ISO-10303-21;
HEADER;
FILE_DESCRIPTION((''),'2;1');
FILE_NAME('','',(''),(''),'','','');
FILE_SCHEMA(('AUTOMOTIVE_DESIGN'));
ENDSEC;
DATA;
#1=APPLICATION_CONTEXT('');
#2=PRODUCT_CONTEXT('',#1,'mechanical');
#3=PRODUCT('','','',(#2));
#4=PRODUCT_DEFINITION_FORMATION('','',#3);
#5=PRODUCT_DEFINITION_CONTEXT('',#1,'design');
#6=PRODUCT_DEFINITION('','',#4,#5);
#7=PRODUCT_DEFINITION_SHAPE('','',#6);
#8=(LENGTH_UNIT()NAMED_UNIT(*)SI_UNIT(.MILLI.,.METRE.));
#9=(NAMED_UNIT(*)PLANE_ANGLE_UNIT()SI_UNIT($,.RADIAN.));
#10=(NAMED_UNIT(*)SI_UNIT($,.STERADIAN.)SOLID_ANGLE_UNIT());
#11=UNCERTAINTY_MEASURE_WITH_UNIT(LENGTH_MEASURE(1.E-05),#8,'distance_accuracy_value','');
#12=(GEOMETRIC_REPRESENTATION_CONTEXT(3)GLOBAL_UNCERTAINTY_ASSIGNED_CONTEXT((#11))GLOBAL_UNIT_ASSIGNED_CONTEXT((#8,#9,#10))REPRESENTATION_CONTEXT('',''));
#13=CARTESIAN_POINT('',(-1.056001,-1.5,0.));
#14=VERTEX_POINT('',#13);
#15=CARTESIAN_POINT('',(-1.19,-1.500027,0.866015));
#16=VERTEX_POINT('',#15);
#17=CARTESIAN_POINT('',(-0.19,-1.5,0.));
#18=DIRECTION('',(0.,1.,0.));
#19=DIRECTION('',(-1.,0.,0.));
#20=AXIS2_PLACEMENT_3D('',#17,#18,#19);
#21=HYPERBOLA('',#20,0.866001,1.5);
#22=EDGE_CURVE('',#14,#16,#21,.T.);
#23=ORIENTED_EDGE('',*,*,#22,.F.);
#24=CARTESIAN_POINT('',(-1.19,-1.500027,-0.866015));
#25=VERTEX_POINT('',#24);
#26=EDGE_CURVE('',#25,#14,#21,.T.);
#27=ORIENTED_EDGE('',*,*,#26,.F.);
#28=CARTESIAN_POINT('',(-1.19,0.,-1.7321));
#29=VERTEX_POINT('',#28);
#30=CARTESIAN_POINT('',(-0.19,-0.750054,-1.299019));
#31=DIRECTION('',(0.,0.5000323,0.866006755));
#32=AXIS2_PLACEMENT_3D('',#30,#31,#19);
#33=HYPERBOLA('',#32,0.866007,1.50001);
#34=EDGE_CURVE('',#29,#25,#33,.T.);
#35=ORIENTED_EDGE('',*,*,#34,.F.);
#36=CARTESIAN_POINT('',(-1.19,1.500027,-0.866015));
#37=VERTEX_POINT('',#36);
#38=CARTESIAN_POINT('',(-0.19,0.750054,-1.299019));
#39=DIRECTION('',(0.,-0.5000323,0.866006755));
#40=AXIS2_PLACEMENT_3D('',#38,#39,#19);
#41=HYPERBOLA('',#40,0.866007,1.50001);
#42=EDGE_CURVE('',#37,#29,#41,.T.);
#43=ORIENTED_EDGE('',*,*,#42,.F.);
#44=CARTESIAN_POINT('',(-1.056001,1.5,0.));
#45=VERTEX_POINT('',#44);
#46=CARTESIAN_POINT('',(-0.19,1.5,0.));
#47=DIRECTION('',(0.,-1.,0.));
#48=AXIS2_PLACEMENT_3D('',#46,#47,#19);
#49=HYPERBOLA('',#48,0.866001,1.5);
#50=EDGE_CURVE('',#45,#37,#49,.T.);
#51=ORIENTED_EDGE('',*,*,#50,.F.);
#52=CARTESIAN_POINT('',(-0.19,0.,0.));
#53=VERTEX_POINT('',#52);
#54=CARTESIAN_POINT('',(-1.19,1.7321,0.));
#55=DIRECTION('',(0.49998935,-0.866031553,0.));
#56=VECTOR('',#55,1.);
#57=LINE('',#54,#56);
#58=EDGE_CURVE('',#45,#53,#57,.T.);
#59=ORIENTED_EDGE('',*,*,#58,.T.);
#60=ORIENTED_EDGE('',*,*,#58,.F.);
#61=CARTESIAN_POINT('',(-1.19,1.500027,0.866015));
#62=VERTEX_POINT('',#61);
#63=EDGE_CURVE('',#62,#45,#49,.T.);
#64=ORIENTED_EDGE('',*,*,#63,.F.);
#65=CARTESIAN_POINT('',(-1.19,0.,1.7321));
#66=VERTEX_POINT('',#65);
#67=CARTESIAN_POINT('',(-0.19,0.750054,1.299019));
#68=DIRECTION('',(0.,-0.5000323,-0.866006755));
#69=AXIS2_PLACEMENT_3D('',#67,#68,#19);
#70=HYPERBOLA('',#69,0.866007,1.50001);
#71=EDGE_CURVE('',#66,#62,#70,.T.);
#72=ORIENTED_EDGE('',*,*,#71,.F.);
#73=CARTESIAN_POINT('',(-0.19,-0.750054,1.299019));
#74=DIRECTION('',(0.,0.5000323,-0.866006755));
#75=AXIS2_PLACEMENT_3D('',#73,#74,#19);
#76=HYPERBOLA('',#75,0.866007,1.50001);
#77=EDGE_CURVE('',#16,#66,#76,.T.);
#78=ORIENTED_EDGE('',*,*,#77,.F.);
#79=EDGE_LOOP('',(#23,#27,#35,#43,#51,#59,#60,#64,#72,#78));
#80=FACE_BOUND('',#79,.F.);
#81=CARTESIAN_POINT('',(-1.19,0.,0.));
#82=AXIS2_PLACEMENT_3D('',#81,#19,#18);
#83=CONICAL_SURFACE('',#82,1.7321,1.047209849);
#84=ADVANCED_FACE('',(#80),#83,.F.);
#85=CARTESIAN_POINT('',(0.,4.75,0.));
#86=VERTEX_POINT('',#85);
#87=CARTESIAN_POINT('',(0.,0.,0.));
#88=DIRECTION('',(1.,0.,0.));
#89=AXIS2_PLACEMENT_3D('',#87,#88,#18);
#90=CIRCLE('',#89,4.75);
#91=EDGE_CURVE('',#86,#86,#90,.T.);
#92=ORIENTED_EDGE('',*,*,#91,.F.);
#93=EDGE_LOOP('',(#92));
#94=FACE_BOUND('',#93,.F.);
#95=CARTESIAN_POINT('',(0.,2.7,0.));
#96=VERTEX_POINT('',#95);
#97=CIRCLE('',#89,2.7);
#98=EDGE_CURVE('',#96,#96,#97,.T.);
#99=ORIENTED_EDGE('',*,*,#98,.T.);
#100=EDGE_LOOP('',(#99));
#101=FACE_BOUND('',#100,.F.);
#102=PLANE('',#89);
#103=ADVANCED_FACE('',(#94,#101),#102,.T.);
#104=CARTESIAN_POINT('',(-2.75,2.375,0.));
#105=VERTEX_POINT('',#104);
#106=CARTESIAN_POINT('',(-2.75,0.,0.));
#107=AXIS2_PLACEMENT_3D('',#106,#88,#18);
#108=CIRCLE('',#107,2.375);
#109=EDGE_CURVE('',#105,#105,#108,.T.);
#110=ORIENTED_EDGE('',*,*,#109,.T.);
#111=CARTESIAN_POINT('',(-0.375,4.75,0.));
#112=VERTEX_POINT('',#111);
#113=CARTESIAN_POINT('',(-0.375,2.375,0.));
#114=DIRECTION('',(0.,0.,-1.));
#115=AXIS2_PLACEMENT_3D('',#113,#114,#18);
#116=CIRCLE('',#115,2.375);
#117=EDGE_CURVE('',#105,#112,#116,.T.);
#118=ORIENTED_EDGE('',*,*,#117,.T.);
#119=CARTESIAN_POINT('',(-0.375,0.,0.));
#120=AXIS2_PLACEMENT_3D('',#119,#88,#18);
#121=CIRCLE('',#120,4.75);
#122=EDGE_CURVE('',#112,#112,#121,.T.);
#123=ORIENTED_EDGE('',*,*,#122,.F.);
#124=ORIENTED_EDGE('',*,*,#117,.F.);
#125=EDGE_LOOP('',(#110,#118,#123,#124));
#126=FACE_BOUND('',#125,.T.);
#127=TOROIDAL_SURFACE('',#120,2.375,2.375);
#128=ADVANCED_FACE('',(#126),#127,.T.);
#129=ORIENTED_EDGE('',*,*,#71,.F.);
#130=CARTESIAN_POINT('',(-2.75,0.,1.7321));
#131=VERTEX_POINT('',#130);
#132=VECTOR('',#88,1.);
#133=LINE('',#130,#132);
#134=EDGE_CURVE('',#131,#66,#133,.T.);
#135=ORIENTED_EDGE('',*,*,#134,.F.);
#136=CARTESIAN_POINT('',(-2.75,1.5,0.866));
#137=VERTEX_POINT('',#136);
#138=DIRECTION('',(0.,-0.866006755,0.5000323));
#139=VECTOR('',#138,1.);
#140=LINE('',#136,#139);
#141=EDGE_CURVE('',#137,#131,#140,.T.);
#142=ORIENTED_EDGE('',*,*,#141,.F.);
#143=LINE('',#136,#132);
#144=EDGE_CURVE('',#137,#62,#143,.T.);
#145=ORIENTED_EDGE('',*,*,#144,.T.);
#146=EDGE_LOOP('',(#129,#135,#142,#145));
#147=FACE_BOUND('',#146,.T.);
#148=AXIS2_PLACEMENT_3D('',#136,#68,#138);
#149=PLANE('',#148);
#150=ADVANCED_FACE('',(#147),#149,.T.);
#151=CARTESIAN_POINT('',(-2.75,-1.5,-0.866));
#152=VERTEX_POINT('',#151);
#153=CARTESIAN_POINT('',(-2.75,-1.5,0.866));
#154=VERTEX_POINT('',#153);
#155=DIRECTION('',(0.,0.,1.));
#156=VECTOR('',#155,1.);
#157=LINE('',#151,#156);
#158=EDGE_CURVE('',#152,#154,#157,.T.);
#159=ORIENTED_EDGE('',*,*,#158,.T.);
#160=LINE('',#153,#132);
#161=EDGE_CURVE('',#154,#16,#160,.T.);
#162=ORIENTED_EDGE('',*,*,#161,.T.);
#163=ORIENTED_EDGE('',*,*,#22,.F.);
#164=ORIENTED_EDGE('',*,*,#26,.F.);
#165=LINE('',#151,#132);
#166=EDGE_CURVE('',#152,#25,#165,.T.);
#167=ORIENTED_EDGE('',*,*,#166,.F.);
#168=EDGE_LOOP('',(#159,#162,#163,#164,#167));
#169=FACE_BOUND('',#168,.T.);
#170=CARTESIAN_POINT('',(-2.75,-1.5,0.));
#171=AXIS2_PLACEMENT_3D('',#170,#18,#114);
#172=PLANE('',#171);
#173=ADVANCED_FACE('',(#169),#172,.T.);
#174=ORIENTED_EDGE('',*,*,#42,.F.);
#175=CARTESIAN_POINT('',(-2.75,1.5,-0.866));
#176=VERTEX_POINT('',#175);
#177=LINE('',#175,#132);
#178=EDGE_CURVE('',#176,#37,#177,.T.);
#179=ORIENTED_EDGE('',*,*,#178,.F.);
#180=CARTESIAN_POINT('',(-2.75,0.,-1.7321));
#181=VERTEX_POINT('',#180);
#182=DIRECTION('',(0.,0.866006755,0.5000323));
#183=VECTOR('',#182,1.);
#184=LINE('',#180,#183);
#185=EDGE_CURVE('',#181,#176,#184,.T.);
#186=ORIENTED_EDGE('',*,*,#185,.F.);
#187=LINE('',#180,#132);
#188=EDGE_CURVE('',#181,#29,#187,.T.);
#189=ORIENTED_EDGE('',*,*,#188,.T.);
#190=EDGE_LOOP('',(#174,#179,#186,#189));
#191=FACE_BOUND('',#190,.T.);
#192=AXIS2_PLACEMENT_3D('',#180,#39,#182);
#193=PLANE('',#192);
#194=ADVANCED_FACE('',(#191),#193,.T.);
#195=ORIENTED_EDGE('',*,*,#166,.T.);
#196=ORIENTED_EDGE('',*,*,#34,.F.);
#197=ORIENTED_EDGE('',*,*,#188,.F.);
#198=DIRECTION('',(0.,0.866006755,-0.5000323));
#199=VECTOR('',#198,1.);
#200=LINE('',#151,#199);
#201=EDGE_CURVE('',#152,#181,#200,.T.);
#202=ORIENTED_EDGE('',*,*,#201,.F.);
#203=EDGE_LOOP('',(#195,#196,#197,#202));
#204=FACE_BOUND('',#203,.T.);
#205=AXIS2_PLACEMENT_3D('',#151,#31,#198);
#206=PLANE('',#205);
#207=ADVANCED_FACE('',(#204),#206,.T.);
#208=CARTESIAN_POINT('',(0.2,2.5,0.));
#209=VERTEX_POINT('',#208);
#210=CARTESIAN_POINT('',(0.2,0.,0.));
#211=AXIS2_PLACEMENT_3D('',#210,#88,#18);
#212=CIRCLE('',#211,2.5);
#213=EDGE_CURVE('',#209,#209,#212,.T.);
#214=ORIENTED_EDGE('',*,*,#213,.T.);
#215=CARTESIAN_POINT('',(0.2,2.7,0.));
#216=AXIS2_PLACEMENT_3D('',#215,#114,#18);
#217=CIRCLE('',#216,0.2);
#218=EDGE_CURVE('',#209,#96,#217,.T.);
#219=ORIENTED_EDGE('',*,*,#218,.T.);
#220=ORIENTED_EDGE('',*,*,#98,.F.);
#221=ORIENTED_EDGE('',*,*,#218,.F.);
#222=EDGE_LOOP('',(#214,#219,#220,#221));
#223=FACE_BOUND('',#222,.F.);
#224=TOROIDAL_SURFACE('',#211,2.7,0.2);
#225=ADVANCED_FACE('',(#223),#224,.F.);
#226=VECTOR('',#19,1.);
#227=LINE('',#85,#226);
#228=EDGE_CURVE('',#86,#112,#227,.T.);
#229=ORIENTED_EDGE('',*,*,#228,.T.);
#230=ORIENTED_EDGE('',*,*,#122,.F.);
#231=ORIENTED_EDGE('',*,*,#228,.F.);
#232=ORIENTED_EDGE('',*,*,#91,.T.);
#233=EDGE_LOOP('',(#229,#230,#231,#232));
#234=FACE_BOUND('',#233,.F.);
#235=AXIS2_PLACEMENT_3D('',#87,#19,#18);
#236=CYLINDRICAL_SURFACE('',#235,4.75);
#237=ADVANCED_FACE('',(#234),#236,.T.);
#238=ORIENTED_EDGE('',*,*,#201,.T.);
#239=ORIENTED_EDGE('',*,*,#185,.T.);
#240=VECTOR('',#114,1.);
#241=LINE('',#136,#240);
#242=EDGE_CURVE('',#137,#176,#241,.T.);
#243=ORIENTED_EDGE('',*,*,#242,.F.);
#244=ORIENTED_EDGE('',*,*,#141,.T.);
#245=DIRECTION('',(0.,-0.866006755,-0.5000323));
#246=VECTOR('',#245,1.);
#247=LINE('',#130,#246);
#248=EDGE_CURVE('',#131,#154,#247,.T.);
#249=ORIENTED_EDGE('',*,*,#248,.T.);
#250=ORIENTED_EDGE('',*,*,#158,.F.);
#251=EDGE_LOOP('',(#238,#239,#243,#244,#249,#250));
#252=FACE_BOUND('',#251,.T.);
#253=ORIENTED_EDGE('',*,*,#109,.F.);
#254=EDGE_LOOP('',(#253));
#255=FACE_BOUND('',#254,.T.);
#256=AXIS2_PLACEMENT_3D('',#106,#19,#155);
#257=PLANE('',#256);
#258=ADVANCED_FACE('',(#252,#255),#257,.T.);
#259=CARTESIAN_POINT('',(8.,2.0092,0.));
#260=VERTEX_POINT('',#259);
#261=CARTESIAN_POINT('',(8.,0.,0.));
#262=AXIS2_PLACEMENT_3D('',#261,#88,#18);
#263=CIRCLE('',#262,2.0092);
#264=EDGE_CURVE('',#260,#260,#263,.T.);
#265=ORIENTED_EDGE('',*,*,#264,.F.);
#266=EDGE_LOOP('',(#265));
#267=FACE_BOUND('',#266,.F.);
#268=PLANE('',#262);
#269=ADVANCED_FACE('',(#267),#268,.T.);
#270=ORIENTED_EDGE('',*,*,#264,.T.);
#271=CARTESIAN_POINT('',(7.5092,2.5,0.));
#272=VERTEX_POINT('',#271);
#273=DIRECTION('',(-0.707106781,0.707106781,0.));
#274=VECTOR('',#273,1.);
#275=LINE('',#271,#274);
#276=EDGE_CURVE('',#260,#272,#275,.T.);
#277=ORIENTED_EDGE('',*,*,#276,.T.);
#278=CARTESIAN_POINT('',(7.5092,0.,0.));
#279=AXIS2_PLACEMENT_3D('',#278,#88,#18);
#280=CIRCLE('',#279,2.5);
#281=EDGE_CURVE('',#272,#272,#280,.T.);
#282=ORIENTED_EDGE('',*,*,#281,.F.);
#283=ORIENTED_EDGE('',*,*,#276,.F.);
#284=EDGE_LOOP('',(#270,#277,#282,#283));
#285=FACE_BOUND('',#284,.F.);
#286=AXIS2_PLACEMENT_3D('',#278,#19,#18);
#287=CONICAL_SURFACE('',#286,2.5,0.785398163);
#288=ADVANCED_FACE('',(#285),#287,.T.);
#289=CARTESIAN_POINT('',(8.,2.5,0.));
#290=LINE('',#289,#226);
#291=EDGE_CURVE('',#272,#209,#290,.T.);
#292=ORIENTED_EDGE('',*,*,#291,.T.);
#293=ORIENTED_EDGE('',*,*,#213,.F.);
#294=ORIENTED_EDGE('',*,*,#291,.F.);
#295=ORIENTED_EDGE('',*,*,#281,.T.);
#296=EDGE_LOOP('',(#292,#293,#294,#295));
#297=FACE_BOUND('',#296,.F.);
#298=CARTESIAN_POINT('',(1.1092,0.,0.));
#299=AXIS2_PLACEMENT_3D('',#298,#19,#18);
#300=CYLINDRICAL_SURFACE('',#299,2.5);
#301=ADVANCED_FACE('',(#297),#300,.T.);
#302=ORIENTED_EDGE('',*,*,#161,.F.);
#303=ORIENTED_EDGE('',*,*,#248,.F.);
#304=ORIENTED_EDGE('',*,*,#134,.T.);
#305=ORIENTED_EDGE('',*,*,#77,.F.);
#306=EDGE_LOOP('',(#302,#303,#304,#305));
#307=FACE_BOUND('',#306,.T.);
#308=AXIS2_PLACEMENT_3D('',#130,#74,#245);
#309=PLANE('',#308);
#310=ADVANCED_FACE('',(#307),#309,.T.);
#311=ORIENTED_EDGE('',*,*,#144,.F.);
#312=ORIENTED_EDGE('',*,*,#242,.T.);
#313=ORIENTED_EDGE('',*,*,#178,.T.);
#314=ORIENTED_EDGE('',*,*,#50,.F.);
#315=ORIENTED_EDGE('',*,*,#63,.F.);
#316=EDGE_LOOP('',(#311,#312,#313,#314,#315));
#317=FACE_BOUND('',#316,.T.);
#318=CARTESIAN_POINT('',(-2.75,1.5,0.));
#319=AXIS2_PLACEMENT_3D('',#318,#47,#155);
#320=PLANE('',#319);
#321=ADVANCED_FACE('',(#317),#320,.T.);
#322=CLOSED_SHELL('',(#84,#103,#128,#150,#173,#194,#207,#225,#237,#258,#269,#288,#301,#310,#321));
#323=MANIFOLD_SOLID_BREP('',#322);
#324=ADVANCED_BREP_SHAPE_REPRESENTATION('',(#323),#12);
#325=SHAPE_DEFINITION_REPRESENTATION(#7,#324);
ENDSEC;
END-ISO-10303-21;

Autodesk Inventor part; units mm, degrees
ref_plane "YZ Plane" through (0, 0, 0) normal (1, 0, 0) x (0, 1, 0)
ref_plane "XZ Plane" through (0, 0, 0) normal (0, 1, 0) x (-1, 0, 0)
sketch "Эскиз1" plane through (0, 0, 0) normal (0, 0, 1) x (1, 0, 0)
  line L0 (-0.19, 0) -> (8, 0)
  line L1 (8, 0) -> (8, 2.5)
  line L2 (8, 2.5) -> (1.6, 2.5)
  line L3 (1.6, 2.5) -> (1.1092, 2.5)
  line L4 (1.1092, 2.5) -> (0, 2.5)
  line L5 (0, 2.5) -> (0, 4.75)
  line L6 (0, 4.75) -> (-2.75, 4.75)
  line L7 (-2.75, 4.75) -> (-2.75, 1.7321)
  line L8 (-2.75, 1.7321) -> (-1.19, 1.7321)
  line L9 (-1.19, 1.7321) -> (-0.19, 0)
  line L10 (-4.9, 0) -> (10.15, 0) projected
  line L11 (0, -0.95) -> (0, 5.7) projected
  line L12 (1.6, 2.5) -> (0, 2.5) construction
  dimension "d0" = 6.4
  dimension "d1" = 0.4908
  dimension "d2" = 2.75
  dimension "d3" = 1.56
  dimension "d4" = 60
  dimension "d5" = 5
  dimension "d6" = 5
  dimension "d7" = 3.4641
  dimension "d8" = 9.5
  dimension "d19" = 8
revolve "Базовый элемент" add sketch "Эскиз1" angle 360 about axis through (-0.19, 0, 0) along (1, 0, 0)
sketch "Эскиз2" plane through (-2.75, 0, 0) normal (-1, 0, 0) x (0, 0, 1)
  circle A0 centre (0, 0) radius 1.7321 projected
  line L0 (0, -6.65) -> (0, 6.65) projected
  line L1 (-6.65, 0) -> (6.65, 0) projected
  line L2 (1.7321, 0) -> (0.866, -1.5)
  line L3 (0.866, -1.5) -> (-0.866, -1.5)
  line L4 (-0.866, -1.5) -> (-1.7321, 0)
  line L5 (-1.7321, 0) -> (-0.866, 1.5)
  line L6 (-0.866, 1.5) -> (0.866, 1.5)
  line L7 (0.866, 1.5) -> (1.7321, 0)
extrude "Паз" add sketch "Эскиз2" against normal up to next contours L7 A0 | A0 L2 | L6 L0 A0 | A0 L0 L3 | L0 L6 A0 | A0 L3 L0 | L4 A0 | A0 L5
fillet "Сопряжение1" radius 2.375 1 edges at (-2.75, -4.75, 0)
thread "Резьба" size "M5x0.8" class "4g6g" standard "ANSI Metric M Profile" length 6.4
chamfer "Фаска1" distance 0.4908 distance2 0.4908 1 edges at (8, -2.5, 0) measured on face at (8, -0.6238, -0.819)
fillet "Сопряжение2" radius 0.2 1 edges at (0, -2.5, 0)
ref_plane "Work Plane1" through (30, 0, 0) normal (0, -0.5, 0.866) x (1, 0, 0)
equation "\"d0\" = GEL"
equation "\"d1\" = GAL"
equation "\"d2\" = KOH"
equation "\"d3\" = INTI"
equation "\"d5\" = GD"
equation "\"d6\" = BDM"
equation "\"d7\" = 1.1547 * SW"
equation "\"d8\" = KOD"
equation "\"d19\" = NLG"
equation "\"d16\" = RR"
equation "\"d12\" = GEL"
equation "\"d14\" = -0.5 * SPD + 0.5 * GD"
equation "\"d15\" = GUL"
equation "\"d29\" = R"
equation "\"GD\" = NND"
equation "\"NLG\" = 8"
equation "\"GEL\" = 6.4"
equation "\"KOD\" = 9.5"
equation "\"KOH\" = 2.75"
equation "\"INTI\" = 1.56"
equation "\"GAL\" = 0.61345 * PTC"
equation "\"GUL\" = 0.61345 * PTC"
equation "\"BDM\" = NND"
equation "\"SW\" = 3"
equation "\"RR\" = 2.375"
equation "\"SPD\" = 4.01848"
equation "\"d28\" = R"
equation "\"R\" = 0.2"
equation "\"TOA\" = 30deg"
equation "\"THREADDIA\" = 5"
equation "\"KOD1\" = KOD - 2 * RR"
equation "\"PTC\" = 0.8"
equation "\"NND\" = 5"
equation "\"E0\" = 1.155 * SW"
equation "\"GD1\" = THREADDIA - 1.2269 * PTC"
properties part number "ANSI B18.3.4M - M5 x 0.8 x 8, BHSBHCSM" material "Сталь, мягкая"
